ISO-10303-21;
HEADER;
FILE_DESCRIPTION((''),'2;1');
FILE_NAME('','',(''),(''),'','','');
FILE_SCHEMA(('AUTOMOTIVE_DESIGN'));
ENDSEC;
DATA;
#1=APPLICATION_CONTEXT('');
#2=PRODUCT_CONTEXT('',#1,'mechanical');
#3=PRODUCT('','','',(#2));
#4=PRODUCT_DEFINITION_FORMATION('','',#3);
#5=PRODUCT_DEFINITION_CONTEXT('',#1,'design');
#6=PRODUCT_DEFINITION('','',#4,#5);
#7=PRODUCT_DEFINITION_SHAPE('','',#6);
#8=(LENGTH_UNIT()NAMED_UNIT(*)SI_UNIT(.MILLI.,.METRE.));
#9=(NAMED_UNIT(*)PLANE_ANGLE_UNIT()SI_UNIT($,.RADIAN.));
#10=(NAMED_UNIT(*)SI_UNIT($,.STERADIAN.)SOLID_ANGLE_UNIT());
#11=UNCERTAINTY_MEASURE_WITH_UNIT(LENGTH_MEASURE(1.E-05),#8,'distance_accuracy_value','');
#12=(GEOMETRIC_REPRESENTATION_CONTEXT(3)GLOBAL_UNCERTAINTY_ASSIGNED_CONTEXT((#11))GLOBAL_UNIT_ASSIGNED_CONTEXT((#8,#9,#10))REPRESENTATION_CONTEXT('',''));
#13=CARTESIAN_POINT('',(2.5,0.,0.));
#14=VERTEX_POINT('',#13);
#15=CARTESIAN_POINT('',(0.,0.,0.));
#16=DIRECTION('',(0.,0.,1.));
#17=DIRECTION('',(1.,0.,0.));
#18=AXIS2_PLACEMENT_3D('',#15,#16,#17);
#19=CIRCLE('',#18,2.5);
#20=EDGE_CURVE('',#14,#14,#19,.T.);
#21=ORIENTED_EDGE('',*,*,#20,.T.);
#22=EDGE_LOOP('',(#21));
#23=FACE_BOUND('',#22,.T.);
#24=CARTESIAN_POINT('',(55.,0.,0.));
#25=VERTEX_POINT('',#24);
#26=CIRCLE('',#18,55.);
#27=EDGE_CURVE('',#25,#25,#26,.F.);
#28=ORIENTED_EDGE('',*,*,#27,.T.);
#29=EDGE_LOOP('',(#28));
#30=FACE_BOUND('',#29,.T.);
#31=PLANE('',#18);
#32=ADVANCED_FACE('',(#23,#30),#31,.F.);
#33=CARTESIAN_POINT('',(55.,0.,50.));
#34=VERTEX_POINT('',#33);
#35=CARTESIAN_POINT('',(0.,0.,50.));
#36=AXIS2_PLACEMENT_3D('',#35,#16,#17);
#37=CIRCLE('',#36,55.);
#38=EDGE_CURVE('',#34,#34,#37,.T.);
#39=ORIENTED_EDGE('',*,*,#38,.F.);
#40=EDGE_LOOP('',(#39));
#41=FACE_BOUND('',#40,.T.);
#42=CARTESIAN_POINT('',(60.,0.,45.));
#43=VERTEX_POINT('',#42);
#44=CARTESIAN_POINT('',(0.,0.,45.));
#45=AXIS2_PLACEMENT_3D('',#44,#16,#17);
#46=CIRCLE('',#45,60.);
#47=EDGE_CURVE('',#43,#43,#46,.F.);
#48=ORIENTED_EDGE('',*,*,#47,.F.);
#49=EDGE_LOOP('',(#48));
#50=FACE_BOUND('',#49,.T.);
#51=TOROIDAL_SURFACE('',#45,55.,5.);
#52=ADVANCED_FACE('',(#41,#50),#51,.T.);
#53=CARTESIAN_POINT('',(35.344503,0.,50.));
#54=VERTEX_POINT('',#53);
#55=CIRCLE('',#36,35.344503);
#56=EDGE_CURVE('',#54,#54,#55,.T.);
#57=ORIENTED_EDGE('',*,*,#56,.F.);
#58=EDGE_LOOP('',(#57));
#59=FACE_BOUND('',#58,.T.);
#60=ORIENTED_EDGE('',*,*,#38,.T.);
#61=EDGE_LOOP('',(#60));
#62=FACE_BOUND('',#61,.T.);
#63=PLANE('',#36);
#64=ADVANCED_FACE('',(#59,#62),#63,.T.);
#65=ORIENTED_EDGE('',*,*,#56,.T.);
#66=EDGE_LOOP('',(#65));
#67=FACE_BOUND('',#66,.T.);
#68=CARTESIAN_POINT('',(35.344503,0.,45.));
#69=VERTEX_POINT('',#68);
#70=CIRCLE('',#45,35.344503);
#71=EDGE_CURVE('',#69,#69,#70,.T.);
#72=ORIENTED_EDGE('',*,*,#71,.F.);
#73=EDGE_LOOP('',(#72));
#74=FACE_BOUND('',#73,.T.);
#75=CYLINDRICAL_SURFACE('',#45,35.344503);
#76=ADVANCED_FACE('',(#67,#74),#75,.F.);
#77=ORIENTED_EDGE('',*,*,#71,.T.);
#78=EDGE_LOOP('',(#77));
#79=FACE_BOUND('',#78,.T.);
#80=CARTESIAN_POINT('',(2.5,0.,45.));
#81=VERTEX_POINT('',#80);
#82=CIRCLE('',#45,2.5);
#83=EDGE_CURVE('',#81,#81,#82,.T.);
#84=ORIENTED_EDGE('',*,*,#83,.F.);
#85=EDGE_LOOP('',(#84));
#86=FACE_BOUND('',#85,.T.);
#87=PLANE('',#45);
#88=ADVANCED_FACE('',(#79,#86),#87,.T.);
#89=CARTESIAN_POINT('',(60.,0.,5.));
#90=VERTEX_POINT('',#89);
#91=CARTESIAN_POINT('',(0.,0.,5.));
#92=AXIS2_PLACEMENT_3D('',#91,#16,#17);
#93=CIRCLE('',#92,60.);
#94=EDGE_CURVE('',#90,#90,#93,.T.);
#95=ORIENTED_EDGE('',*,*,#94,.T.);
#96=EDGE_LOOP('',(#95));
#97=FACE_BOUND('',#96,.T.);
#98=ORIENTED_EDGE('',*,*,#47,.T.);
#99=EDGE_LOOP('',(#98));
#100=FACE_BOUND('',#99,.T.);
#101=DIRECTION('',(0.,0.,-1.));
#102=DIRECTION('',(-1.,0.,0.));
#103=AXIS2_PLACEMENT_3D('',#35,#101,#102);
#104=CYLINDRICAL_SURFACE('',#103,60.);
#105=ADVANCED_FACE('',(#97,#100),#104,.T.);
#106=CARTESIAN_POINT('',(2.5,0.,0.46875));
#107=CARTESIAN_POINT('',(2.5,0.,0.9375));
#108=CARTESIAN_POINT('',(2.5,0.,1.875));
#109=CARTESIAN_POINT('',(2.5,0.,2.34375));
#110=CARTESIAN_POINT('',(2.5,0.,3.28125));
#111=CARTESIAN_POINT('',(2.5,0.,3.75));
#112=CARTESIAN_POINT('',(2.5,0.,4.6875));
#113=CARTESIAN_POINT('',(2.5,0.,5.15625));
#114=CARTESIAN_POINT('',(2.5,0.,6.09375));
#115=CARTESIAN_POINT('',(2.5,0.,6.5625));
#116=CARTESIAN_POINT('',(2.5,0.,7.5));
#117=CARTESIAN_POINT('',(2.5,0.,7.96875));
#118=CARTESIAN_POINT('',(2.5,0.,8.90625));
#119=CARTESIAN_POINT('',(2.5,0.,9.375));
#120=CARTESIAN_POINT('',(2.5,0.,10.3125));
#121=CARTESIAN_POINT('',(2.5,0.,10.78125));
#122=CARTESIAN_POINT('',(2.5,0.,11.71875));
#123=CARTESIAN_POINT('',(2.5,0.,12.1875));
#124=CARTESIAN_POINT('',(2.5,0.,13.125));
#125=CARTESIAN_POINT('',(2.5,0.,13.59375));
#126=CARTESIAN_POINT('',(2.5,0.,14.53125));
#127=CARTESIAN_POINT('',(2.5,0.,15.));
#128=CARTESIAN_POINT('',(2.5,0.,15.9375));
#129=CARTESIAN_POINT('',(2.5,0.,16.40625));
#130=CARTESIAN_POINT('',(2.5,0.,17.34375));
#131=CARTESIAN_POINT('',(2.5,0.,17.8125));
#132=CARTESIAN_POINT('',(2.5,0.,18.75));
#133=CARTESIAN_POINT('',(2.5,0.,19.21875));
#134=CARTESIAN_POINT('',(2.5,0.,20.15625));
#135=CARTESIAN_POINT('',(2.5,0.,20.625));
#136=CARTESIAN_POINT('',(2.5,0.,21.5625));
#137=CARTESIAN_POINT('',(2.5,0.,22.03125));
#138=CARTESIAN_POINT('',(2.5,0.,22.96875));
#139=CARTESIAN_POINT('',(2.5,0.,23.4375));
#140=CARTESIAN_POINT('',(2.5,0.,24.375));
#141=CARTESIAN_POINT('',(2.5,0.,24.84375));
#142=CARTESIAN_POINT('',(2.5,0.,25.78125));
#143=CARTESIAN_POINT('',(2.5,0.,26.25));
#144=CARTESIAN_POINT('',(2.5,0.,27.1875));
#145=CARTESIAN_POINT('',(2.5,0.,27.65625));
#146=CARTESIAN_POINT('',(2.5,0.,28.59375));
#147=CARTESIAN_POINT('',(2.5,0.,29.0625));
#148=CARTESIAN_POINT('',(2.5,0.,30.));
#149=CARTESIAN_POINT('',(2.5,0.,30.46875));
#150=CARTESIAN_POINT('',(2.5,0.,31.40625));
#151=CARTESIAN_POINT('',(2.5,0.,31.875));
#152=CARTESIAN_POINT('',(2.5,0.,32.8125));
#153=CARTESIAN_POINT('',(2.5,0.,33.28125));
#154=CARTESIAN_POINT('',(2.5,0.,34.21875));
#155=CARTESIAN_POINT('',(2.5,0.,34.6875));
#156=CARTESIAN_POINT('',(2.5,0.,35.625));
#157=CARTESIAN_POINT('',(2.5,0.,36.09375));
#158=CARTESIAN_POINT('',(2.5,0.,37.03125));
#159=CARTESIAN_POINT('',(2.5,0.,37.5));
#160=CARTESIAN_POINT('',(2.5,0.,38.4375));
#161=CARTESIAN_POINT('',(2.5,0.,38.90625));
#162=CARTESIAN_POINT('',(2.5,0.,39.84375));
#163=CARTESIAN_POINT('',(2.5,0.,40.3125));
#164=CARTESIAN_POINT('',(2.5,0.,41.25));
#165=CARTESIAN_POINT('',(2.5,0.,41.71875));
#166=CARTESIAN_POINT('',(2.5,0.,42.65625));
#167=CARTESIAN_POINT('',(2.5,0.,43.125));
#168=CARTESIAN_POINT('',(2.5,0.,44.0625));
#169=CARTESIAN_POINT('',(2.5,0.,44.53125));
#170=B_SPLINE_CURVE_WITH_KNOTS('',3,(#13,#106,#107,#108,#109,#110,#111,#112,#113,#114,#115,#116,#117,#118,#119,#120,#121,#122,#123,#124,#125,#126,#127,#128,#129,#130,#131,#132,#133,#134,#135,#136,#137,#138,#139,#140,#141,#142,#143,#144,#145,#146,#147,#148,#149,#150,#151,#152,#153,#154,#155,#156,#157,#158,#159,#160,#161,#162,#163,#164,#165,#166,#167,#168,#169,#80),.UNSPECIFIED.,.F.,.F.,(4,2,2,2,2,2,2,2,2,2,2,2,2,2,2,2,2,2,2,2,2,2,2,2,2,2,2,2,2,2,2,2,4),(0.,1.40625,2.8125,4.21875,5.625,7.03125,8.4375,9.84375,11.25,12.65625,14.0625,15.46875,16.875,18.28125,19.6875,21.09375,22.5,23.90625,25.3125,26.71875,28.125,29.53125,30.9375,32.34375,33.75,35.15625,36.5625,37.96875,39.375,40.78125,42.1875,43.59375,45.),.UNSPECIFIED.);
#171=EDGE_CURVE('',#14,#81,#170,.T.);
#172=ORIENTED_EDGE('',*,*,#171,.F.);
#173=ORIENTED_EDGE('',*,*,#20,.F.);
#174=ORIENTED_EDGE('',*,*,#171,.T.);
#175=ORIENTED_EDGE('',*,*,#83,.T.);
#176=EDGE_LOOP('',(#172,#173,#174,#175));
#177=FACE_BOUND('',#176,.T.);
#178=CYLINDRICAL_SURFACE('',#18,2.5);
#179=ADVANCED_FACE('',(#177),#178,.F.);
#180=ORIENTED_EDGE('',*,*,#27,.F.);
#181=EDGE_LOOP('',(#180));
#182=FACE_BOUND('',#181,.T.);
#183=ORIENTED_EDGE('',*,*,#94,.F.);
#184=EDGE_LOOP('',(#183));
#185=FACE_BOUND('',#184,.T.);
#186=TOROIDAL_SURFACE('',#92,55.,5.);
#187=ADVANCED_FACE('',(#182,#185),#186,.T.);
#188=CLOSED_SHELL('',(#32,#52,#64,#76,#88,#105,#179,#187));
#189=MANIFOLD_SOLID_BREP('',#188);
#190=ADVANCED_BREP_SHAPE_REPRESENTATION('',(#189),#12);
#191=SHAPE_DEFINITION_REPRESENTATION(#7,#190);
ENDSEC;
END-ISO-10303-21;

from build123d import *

# Parameters (mm, degrees)
SKETCH1_R           = 60
BOSS_EXTRUDE1_DEPTH = 50
FILLET1_R           = 5
SKETCH2_R           = 35.344502653
CUT_EXTRUDE1_DEPTH  = 5
SKETCH3_R           = 2.5
CUT_EXTRUDE2_DEPTH  = 97.046863624


with BuildPart() as part:
    # Sketch1 → Boss-Extrude1 (new body)
    with BuildSketch(Plane.XY):
        Circle(SKETCH1_R)
    extrude(amount=BOSS_EXTRUDE1_DEPTH)

    # Fillet1
    fillet1_edges = [part.edges().sort_by_distance(p)[0] for p in [
        (-60, 0, 0),
        (-60, 0, 50),
    ]]
    fillet(fillet1_edges, radius=FILLET1_R)

    # Sketch2 → Cut-Extrude1 (cut)
    with BuildSketch(Plane.XY.offset(50)):
        Circle(SKETCH2_R)
    extrude(amount=-CUT_EXTRUDE1_DEPTH, mode=Mode.SUBTRACT)

    # Sketch3 → Cut-Extrude2 (cut, through all)
    with BuildSketch(Plane.XY.offset(45)):
        Circle(SKETCH3_R)
    extrude(amount=-CUT_EXTRUDE2_DEPTH, mode=Mode.SUBTRACT)


solid = part.part
